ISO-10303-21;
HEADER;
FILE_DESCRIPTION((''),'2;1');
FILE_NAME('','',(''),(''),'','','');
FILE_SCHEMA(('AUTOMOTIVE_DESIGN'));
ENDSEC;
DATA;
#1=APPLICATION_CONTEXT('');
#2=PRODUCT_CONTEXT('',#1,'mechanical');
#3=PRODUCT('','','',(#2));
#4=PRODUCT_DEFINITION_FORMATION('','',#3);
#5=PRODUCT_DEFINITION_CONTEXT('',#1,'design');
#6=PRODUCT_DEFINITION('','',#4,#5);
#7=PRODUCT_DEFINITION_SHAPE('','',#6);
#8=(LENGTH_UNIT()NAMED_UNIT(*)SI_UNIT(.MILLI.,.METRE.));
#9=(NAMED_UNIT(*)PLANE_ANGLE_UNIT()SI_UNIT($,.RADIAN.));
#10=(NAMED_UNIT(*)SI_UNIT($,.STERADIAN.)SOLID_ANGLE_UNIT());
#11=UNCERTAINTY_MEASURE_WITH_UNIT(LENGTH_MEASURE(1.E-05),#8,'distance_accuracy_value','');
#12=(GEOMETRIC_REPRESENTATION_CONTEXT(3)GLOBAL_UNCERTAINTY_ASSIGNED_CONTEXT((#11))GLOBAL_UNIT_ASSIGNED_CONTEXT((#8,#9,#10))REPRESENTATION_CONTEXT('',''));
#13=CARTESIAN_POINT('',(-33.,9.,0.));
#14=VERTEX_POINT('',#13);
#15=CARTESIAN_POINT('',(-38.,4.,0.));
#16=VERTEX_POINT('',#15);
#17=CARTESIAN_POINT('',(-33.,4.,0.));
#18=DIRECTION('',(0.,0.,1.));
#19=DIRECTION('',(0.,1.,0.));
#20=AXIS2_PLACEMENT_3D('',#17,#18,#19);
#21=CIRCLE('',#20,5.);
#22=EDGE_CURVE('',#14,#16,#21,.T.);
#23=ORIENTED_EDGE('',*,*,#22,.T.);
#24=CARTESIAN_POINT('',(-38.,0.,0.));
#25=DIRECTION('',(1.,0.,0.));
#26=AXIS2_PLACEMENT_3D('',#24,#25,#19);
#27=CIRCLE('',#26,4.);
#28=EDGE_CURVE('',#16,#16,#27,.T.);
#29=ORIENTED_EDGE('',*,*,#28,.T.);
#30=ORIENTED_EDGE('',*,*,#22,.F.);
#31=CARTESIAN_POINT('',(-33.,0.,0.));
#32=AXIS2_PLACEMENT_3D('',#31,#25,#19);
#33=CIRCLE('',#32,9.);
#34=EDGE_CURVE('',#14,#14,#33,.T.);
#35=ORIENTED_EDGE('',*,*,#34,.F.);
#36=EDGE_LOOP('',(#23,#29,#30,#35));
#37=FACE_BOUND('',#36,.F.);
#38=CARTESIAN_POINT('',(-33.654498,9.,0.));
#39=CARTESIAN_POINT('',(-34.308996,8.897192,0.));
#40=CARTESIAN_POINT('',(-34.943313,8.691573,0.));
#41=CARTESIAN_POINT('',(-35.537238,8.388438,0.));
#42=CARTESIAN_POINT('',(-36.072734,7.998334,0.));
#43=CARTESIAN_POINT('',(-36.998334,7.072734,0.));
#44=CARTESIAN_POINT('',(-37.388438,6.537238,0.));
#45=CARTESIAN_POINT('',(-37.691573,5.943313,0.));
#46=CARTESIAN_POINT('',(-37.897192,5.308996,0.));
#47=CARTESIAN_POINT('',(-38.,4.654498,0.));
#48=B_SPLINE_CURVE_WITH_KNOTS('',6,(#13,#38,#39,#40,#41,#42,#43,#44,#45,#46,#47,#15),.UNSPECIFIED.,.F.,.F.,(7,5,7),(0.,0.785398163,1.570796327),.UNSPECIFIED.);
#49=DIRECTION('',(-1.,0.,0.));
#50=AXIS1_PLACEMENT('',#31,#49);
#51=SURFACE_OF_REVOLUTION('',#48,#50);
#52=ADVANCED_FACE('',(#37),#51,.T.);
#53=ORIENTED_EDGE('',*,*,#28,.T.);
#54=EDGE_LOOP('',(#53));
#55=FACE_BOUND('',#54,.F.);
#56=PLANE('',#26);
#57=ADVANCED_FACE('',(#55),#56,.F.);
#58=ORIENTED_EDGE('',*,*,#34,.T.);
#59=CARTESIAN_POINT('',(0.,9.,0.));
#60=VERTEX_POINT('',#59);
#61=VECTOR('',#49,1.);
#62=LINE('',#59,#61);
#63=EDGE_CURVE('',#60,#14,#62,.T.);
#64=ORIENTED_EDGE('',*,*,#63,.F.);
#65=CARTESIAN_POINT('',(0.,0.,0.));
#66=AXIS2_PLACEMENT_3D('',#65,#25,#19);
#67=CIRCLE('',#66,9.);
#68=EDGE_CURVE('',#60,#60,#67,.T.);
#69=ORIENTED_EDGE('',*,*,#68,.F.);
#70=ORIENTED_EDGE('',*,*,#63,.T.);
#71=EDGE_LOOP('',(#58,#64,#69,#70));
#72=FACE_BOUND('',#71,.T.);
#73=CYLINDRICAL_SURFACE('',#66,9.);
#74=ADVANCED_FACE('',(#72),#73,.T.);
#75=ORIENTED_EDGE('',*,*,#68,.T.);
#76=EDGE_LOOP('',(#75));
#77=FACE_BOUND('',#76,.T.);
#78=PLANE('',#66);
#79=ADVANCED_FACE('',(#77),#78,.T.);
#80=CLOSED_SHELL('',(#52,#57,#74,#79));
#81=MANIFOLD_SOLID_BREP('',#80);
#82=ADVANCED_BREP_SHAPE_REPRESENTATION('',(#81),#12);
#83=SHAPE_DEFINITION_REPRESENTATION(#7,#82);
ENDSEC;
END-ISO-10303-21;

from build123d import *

# Parameters (mm, degrees)
F0_R     = 9
F1_DEPTH = 38
F2_R     = 5


with BuildPart() as f1:
    # F0 (on Right) → F1 (new body)
    with BuildSketch(Plane.YZ):
        Circle(F0_R)
    extrude(amount=-F1_DEPTH)

    # F2
    f2_edges = [f1.edges().sort_by_distance(p)[0] for p in [
        (-38, -9, 0),
    ]]
    fillet(f2_edges, radius=F2_R)


solid = f1.part
